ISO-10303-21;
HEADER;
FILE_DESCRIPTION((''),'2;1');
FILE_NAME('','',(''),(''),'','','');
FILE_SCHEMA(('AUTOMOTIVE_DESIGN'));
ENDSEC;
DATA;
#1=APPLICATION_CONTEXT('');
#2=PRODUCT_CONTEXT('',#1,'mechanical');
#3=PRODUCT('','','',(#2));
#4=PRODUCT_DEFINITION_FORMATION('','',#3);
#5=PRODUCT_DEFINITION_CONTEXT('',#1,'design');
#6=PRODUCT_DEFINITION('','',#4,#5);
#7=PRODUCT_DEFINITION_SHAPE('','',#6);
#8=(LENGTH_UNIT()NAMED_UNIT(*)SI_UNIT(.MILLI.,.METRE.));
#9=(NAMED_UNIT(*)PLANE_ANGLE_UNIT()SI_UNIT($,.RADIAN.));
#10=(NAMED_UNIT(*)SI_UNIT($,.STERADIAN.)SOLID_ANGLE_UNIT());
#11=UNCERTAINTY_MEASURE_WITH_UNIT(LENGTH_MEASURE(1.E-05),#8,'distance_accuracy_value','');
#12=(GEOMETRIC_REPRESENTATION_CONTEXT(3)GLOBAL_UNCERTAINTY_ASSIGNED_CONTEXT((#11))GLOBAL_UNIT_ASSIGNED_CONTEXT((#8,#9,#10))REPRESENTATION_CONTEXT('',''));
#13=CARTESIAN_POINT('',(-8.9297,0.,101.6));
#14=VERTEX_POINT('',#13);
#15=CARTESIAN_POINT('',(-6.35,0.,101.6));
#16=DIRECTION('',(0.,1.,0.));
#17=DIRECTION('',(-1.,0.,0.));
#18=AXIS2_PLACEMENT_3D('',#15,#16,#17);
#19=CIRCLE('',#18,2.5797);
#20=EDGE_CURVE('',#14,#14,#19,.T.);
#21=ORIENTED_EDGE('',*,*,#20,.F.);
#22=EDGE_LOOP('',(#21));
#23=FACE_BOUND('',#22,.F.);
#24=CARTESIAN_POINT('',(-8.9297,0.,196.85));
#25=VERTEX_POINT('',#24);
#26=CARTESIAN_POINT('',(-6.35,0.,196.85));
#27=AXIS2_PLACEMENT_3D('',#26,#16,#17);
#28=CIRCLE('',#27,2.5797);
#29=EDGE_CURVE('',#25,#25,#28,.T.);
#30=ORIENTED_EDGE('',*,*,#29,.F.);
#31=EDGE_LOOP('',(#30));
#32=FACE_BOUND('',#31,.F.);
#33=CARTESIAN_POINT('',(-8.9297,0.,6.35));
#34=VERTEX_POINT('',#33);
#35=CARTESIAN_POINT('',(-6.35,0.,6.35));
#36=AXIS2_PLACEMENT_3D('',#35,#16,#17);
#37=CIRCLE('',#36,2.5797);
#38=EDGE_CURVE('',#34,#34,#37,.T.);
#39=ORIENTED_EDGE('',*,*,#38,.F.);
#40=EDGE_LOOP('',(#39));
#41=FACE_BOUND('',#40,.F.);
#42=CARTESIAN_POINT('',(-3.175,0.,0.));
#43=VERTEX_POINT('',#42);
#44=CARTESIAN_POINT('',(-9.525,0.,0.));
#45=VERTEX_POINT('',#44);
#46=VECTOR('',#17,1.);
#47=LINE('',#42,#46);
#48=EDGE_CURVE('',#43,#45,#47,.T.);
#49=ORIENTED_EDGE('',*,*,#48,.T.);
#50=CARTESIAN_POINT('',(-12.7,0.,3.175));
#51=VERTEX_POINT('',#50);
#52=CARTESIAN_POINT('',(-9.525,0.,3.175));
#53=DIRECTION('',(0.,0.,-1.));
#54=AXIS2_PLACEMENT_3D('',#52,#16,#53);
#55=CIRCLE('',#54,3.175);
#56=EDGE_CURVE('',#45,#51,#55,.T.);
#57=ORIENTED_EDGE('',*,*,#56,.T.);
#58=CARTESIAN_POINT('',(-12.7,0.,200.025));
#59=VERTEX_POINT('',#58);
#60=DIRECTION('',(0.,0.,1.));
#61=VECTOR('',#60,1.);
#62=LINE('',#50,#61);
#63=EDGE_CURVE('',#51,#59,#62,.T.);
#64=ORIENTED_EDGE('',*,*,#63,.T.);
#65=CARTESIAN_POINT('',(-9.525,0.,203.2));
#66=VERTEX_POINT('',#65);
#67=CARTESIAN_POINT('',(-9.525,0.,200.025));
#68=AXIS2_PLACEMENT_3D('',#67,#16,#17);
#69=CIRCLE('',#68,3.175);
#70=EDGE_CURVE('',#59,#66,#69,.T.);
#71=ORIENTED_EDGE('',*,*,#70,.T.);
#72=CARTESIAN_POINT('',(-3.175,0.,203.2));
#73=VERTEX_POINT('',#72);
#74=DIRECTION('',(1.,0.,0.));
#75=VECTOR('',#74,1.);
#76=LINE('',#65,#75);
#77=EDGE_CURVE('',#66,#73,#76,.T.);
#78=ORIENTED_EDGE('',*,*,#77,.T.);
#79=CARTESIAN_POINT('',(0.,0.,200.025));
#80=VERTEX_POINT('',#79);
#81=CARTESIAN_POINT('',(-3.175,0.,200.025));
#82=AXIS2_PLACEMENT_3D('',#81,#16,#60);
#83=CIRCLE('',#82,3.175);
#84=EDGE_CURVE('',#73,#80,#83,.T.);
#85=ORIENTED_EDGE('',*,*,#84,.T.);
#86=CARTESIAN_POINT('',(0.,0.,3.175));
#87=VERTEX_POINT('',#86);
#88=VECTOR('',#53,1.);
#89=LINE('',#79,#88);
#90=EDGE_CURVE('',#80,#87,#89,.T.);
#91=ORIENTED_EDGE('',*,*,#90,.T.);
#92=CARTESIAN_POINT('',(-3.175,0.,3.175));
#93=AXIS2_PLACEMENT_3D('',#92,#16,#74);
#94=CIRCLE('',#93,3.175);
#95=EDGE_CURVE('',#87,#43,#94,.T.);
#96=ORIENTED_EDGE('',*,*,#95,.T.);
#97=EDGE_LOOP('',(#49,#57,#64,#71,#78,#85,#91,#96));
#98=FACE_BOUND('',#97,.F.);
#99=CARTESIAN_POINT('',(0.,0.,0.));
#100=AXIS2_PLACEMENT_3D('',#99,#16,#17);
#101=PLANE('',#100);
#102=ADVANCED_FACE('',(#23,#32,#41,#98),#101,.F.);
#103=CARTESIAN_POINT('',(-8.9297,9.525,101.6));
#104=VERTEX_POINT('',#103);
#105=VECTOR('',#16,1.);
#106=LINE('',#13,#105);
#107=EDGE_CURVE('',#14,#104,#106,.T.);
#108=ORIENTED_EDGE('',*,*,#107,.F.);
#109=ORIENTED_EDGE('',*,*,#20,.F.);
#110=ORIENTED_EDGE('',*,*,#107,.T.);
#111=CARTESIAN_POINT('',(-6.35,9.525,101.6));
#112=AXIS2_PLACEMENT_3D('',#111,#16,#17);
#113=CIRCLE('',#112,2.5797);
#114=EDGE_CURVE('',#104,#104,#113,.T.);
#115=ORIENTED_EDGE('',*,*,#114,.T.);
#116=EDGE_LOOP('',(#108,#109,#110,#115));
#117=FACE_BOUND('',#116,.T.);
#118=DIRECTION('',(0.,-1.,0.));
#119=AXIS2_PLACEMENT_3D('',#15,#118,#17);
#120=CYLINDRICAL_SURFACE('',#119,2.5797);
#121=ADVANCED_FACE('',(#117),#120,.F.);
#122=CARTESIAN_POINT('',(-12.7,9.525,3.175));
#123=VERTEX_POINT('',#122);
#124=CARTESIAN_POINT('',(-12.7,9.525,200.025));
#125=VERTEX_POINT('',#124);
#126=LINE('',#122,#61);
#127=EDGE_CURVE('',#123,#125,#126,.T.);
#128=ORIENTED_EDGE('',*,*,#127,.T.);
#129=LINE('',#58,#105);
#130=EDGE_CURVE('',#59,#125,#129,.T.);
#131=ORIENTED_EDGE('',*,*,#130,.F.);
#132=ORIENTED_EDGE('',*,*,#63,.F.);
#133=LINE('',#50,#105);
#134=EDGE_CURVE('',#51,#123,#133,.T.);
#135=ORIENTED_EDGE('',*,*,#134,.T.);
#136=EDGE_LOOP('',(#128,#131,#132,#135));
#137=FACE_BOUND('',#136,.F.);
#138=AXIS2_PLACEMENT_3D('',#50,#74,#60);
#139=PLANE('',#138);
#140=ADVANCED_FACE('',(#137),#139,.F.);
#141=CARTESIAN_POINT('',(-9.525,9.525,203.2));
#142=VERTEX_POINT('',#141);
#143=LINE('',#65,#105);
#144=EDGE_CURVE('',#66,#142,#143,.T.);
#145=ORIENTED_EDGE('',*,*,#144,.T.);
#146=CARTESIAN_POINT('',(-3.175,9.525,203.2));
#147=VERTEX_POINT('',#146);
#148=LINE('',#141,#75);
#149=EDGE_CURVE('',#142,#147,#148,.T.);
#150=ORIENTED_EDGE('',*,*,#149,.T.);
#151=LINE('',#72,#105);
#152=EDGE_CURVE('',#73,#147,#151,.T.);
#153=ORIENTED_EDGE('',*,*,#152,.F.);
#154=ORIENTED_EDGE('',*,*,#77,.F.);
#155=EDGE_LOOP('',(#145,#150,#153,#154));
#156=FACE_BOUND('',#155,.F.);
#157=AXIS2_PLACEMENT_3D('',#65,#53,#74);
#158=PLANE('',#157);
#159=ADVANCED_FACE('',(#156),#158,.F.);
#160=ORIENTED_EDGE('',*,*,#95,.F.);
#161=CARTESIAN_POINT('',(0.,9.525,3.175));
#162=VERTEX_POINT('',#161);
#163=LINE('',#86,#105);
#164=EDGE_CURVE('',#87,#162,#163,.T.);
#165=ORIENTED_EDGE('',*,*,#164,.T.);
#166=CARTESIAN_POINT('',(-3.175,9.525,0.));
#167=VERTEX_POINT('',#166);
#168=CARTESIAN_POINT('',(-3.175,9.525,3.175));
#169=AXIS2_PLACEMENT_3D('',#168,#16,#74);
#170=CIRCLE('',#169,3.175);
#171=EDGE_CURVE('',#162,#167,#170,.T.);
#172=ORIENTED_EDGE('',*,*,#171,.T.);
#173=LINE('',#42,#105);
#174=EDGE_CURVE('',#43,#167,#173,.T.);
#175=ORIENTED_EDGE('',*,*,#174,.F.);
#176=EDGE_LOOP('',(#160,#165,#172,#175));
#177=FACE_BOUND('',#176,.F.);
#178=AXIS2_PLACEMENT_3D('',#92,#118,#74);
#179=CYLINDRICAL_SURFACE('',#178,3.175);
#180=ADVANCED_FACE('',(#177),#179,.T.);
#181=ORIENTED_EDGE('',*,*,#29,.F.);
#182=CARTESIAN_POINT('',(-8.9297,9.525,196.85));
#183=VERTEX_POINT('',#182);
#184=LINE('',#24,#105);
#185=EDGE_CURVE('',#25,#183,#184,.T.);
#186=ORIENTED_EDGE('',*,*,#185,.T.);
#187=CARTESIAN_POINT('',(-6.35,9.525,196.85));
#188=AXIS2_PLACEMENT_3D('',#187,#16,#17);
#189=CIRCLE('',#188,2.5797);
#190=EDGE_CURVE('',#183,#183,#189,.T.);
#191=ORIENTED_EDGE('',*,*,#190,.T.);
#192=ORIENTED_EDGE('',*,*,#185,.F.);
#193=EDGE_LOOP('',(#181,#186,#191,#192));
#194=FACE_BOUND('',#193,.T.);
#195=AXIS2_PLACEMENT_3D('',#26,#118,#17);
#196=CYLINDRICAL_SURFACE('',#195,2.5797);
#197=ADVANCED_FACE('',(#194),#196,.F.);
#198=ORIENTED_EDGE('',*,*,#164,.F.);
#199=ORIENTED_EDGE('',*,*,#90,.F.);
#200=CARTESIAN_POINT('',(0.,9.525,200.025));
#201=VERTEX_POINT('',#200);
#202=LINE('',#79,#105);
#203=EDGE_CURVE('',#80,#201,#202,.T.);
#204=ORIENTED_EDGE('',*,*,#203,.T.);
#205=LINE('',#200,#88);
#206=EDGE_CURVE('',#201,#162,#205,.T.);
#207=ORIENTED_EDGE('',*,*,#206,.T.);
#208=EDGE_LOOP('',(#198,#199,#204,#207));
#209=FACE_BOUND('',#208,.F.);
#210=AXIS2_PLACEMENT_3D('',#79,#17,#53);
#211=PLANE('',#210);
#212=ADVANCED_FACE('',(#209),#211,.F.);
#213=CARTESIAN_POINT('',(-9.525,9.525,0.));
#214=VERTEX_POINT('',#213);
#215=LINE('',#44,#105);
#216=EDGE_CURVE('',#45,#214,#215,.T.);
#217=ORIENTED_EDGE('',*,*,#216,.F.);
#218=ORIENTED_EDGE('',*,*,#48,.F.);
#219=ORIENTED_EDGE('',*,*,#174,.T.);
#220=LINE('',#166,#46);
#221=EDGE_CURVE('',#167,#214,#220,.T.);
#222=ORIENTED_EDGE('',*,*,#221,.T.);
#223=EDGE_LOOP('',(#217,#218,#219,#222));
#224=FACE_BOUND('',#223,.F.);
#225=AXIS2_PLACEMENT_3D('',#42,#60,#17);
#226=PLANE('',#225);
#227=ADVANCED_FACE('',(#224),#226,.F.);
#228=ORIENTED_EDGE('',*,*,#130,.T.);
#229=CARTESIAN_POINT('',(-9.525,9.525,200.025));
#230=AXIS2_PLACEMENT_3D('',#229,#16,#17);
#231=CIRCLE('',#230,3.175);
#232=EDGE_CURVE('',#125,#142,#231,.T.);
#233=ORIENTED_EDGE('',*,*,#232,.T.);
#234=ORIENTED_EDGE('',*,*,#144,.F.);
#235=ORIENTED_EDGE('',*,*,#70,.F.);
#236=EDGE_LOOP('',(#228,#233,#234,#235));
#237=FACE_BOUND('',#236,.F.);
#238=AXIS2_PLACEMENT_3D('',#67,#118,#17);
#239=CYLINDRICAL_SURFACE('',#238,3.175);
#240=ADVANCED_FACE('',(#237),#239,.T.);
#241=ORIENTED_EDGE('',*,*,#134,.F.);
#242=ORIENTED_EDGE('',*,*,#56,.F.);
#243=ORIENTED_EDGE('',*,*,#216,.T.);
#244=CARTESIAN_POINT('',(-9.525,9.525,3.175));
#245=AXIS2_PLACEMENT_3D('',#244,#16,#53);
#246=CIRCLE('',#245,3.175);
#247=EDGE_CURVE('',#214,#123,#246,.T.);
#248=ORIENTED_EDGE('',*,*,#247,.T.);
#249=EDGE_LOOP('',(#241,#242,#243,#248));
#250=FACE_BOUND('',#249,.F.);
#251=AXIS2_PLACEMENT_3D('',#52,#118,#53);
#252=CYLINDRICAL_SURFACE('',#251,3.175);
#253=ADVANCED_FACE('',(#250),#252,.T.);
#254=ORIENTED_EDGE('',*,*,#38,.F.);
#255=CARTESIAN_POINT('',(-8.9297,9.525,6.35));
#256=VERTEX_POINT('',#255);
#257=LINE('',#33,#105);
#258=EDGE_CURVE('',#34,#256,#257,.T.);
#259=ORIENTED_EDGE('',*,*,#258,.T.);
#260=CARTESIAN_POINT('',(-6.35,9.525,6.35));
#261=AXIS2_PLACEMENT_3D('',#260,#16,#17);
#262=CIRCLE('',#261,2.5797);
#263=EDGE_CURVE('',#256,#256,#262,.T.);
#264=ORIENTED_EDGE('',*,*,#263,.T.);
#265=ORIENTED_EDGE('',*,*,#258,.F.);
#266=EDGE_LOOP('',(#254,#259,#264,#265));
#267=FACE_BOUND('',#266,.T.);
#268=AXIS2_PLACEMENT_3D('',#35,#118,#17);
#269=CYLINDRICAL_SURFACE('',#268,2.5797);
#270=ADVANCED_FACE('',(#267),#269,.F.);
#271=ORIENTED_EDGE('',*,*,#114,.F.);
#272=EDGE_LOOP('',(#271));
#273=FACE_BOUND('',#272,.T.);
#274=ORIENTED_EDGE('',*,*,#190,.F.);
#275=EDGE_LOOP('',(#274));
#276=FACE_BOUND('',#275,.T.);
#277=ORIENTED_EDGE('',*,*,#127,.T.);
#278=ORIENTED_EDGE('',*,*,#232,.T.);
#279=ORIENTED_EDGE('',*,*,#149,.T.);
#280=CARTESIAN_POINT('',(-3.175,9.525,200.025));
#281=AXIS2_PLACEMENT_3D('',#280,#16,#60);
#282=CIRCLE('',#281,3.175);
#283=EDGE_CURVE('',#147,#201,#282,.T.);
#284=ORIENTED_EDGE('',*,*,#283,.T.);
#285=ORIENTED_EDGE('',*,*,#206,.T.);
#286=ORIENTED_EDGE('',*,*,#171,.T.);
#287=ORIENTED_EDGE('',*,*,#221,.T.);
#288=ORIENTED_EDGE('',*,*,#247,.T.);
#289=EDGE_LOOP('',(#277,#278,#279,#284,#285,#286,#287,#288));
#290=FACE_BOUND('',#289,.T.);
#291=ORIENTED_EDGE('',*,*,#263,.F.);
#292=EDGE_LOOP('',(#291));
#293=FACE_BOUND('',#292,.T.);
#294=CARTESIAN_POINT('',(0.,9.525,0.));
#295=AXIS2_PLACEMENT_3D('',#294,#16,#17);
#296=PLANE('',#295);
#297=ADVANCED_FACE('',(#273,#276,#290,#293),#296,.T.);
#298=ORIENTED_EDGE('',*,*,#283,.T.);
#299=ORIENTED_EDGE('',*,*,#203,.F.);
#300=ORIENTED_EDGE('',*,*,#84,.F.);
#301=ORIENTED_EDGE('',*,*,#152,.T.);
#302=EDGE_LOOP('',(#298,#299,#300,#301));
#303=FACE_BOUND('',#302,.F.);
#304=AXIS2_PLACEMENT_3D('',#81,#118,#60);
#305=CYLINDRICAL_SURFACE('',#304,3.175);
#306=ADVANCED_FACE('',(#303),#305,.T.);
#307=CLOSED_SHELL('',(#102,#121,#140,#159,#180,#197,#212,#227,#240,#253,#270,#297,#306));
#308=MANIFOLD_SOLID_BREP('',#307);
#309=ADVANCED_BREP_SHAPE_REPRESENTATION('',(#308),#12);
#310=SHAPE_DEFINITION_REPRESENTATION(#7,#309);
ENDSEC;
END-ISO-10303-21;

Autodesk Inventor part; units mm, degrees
ref_plane "YZ Plane" through (0, 0, 0) normal (1, 0, 0) x (0, 1, 0)
ref_plane "XZ Plane" through (0, 0, 0) normal (0, 1, 0) x (-1, 0, 0)
ref_plane "XY Plane" through (0, 0, 0) normal (0, 0, 1) x (1, 0, 0)
sketch "Sketch1" plane through (0, 0, 0) normal (0, 1, 0) x (-1, 0, 0)
  line L0 (3.175, 0) -> (9.525, 0)
  line L1 (12.7, 3.175) -> (12.7, 200.025)
  line L2 (9.525, 203.2) -> (3.175, 203.2)
  line L3 (0, 200.025) -> (0, 3.175)
  arc A0 (12.7, 200.025) -> (9.525, 203.2) centre (9.525, 200.025) ccw
  arc A1 (9.525, 0) -> (12.7, 3.175) centre (9.525, 3.175) ccw
  arc A2 (0, 3.175) -> (3.175, 0) centre (3.175, 3.175) ccw
  arc A3 (3.175, 203.2) -> (0, 200.025) centre (3.175, 200.025) ccw
  circle A4 centre (6.35, 196.85) radius 2.5797
  circle A5 centre (6.35, 6.35) radius 2.5797
  circle A6 centre (6.35, 101.6) radius 2.5797
  point P0 (0, 0)
  point P1 (12.7, 203.2)
  point P2 (12.7, 0)
  point P3 (0, 203.2)
  dimension "d0" = 12.7
  dimension "d1" = 203.2
  dimension "d2" = 3.175
  dimension "d3" = 5.1594
  dimension "d4" = 6.35
  dimension "d5" = 6.35
  dimension "d6" = 6.35
  dimension "d7" = 6.35
  dimension "d8" = 6.35
  dimension "d9" = 101.6
extrude "Extrusion1" add sketch "Sketch1" along normal blind 9.525
equation "\"d4\" = 0.5 * d0"
equation "\"d5\" = d4"
equation "\"d6\" = d4"
equation "\"d7\" = d6"
equation "\"d8\" = d4"
equation "\"d9\" = 0.5 * d1"
properties part number "Outer swing"
